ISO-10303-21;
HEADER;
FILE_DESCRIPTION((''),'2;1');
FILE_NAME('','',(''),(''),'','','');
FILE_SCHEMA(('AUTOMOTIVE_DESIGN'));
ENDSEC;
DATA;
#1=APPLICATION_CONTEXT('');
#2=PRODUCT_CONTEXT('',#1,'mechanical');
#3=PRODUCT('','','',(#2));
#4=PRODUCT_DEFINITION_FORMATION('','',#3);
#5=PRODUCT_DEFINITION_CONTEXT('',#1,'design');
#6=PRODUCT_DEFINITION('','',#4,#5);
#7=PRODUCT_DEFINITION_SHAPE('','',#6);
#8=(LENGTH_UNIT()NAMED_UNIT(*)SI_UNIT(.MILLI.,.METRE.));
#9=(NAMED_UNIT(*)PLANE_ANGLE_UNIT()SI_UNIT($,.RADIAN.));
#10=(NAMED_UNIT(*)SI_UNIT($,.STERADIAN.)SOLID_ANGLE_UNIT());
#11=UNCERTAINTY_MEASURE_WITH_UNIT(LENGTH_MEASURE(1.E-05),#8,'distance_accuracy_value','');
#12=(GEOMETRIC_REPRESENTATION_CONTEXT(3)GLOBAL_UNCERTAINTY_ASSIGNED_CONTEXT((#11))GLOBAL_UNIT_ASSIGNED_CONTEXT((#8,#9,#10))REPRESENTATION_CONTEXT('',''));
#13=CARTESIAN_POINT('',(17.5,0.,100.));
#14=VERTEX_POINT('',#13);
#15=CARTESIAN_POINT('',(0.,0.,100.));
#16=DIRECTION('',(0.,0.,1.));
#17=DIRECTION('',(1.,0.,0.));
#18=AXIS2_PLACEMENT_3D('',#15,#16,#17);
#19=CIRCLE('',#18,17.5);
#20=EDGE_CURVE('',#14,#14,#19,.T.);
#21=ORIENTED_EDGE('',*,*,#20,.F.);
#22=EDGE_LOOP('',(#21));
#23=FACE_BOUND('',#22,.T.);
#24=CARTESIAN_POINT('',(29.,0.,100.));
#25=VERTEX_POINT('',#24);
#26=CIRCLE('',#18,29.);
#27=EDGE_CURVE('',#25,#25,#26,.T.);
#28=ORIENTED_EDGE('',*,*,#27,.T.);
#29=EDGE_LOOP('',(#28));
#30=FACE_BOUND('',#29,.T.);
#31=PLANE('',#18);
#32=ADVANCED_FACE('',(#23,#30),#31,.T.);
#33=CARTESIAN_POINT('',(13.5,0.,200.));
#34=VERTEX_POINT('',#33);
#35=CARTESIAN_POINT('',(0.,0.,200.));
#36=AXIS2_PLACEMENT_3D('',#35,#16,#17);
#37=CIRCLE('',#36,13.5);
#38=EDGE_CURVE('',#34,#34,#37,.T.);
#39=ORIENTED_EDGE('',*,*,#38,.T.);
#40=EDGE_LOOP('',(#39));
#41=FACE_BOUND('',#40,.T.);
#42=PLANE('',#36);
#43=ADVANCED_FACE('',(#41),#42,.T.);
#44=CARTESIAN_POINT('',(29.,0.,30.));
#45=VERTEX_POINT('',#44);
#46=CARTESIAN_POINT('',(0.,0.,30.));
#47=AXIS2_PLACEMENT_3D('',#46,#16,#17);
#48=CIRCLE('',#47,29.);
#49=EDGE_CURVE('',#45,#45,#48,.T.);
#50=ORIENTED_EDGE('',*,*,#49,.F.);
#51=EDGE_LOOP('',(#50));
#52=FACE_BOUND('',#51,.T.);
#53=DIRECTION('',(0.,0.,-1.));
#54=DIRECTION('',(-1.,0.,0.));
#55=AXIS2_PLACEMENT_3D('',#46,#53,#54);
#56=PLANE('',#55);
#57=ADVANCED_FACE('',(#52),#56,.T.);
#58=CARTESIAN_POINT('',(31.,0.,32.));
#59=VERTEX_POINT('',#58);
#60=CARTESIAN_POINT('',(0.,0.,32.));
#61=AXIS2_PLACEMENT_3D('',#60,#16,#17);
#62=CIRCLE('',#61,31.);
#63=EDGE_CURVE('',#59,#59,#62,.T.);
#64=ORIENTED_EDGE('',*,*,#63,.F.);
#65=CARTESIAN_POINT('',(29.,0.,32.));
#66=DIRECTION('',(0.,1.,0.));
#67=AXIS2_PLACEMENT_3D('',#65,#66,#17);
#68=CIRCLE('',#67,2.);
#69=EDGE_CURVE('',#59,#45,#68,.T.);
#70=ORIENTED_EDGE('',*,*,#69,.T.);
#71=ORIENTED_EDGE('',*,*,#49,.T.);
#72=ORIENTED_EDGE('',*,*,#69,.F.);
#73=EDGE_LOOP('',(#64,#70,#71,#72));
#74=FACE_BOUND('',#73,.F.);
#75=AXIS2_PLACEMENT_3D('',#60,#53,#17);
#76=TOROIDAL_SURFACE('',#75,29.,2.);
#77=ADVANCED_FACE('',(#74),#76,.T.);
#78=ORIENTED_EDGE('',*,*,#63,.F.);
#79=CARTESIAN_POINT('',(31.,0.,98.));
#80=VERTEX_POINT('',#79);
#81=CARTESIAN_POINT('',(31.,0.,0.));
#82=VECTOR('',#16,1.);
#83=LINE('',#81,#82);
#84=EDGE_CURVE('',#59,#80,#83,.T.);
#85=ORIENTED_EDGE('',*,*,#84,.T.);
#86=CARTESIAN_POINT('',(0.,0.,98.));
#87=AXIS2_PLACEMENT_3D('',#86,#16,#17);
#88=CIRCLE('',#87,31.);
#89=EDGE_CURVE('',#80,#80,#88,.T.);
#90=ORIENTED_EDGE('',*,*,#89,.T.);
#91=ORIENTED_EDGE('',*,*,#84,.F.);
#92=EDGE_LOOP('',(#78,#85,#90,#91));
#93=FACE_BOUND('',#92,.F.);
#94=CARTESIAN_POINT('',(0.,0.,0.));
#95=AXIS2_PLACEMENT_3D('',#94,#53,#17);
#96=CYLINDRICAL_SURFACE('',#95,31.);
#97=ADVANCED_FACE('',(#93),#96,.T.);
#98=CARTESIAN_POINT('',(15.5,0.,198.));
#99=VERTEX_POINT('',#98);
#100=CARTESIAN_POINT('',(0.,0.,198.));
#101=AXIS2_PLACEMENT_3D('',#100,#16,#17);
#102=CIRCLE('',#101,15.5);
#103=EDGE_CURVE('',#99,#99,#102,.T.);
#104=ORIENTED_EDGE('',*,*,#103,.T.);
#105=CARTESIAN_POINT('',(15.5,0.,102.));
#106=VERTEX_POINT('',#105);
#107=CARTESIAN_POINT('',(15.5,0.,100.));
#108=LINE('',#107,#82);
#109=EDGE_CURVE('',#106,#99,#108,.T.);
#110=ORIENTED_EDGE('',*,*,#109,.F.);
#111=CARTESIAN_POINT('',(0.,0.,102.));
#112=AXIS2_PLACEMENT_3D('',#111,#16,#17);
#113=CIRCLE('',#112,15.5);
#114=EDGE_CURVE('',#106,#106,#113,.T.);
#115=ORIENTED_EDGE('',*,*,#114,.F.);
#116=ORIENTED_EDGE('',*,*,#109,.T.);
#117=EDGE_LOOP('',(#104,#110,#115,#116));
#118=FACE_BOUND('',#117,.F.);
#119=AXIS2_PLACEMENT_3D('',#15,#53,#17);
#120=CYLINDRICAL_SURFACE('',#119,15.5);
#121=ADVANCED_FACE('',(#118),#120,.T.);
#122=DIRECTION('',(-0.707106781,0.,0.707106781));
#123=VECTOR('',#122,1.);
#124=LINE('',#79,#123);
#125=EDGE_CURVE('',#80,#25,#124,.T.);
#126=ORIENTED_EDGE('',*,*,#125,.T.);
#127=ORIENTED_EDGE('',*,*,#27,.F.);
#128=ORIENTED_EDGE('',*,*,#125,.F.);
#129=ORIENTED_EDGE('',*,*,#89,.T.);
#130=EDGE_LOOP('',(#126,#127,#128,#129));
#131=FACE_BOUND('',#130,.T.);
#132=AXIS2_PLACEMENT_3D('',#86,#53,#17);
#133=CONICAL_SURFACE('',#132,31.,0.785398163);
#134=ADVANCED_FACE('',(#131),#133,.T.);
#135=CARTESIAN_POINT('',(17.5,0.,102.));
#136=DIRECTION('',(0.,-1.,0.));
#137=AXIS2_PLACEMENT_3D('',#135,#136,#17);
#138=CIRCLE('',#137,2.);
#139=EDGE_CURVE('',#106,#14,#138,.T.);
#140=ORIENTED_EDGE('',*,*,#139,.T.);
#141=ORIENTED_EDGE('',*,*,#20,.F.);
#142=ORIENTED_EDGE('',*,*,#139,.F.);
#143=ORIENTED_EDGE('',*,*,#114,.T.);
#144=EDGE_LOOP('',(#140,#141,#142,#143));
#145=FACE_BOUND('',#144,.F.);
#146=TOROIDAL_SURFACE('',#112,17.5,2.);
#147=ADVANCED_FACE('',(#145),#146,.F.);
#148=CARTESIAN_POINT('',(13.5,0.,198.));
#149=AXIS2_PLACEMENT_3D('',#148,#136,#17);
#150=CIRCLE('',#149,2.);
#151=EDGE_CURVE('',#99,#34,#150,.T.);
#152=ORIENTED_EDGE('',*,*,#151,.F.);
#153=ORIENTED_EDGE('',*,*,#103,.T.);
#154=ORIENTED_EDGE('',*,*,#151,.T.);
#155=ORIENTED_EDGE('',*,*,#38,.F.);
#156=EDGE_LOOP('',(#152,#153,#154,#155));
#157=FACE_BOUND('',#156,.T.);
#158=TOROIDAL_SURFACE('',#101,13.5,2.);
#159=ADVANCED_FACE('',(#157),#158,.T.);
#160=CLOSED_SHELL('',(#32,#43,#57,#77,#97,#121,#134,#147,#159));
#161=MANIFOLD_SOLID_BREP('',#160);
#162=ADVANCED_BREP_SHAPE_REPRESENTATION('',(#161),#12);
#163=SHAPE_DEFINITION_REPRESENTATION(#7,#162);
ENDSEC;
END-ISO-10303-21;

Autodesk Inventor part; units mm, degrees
ref_plane "YZ Plane" through (0, 0, 0) normal (1, 0, 0) x (0, 1, 0)
ref_plane "XZ Plane" through (0, 0, 0) normal (0, 1, 0) x (-1, 0, 0)
ref_plane "XY Plane" through (0, 0, 0) normal (0, 0, 1) x (1, 0, 0)
sketch "Sketch1" plane through (0, 0, 0) normal (0, 0, 1) x (1, 0, 0)
  circle A0 centre (0, 0) radius 31
  dimension "d0" = 62
extrude "Extrusion1" add sketch "Sketch1" along normal blind 100
chamfer "Chamfer1" distance 2 angle 45 2 edges at (-31, 0, 100) (-31, 0, 0)
sketch "Sketch2" plane through (0, 0, 100) normal (0, 0, 1) x (1, 0, 0)
  circle A0 centre (0, 0) radius 15.5
  dimension "d6" = 31
extrude "Extrusion2" add sketch "Sketch2" along normal blind 100
fillet "Fillet1" radius 2 1 edges at (-15.5, 0, 200)
fillet "Fillet2" radius 2 1 edges at (-15.5, 0, 100)
sketch "Sketch3" plane through (0, 0, 0) normal (0, 0, -1) x (-1, 0, 0)
  circle A0 centre (0, 0) radius 31
  dimension "d11" = 62
extrude "Extrusion3" cut sketch "Sketch3" against normal blind 30
fillet "Fillet3" radius 2 1 edges at (-31, 0, 30)
properties part number "S.motor"
